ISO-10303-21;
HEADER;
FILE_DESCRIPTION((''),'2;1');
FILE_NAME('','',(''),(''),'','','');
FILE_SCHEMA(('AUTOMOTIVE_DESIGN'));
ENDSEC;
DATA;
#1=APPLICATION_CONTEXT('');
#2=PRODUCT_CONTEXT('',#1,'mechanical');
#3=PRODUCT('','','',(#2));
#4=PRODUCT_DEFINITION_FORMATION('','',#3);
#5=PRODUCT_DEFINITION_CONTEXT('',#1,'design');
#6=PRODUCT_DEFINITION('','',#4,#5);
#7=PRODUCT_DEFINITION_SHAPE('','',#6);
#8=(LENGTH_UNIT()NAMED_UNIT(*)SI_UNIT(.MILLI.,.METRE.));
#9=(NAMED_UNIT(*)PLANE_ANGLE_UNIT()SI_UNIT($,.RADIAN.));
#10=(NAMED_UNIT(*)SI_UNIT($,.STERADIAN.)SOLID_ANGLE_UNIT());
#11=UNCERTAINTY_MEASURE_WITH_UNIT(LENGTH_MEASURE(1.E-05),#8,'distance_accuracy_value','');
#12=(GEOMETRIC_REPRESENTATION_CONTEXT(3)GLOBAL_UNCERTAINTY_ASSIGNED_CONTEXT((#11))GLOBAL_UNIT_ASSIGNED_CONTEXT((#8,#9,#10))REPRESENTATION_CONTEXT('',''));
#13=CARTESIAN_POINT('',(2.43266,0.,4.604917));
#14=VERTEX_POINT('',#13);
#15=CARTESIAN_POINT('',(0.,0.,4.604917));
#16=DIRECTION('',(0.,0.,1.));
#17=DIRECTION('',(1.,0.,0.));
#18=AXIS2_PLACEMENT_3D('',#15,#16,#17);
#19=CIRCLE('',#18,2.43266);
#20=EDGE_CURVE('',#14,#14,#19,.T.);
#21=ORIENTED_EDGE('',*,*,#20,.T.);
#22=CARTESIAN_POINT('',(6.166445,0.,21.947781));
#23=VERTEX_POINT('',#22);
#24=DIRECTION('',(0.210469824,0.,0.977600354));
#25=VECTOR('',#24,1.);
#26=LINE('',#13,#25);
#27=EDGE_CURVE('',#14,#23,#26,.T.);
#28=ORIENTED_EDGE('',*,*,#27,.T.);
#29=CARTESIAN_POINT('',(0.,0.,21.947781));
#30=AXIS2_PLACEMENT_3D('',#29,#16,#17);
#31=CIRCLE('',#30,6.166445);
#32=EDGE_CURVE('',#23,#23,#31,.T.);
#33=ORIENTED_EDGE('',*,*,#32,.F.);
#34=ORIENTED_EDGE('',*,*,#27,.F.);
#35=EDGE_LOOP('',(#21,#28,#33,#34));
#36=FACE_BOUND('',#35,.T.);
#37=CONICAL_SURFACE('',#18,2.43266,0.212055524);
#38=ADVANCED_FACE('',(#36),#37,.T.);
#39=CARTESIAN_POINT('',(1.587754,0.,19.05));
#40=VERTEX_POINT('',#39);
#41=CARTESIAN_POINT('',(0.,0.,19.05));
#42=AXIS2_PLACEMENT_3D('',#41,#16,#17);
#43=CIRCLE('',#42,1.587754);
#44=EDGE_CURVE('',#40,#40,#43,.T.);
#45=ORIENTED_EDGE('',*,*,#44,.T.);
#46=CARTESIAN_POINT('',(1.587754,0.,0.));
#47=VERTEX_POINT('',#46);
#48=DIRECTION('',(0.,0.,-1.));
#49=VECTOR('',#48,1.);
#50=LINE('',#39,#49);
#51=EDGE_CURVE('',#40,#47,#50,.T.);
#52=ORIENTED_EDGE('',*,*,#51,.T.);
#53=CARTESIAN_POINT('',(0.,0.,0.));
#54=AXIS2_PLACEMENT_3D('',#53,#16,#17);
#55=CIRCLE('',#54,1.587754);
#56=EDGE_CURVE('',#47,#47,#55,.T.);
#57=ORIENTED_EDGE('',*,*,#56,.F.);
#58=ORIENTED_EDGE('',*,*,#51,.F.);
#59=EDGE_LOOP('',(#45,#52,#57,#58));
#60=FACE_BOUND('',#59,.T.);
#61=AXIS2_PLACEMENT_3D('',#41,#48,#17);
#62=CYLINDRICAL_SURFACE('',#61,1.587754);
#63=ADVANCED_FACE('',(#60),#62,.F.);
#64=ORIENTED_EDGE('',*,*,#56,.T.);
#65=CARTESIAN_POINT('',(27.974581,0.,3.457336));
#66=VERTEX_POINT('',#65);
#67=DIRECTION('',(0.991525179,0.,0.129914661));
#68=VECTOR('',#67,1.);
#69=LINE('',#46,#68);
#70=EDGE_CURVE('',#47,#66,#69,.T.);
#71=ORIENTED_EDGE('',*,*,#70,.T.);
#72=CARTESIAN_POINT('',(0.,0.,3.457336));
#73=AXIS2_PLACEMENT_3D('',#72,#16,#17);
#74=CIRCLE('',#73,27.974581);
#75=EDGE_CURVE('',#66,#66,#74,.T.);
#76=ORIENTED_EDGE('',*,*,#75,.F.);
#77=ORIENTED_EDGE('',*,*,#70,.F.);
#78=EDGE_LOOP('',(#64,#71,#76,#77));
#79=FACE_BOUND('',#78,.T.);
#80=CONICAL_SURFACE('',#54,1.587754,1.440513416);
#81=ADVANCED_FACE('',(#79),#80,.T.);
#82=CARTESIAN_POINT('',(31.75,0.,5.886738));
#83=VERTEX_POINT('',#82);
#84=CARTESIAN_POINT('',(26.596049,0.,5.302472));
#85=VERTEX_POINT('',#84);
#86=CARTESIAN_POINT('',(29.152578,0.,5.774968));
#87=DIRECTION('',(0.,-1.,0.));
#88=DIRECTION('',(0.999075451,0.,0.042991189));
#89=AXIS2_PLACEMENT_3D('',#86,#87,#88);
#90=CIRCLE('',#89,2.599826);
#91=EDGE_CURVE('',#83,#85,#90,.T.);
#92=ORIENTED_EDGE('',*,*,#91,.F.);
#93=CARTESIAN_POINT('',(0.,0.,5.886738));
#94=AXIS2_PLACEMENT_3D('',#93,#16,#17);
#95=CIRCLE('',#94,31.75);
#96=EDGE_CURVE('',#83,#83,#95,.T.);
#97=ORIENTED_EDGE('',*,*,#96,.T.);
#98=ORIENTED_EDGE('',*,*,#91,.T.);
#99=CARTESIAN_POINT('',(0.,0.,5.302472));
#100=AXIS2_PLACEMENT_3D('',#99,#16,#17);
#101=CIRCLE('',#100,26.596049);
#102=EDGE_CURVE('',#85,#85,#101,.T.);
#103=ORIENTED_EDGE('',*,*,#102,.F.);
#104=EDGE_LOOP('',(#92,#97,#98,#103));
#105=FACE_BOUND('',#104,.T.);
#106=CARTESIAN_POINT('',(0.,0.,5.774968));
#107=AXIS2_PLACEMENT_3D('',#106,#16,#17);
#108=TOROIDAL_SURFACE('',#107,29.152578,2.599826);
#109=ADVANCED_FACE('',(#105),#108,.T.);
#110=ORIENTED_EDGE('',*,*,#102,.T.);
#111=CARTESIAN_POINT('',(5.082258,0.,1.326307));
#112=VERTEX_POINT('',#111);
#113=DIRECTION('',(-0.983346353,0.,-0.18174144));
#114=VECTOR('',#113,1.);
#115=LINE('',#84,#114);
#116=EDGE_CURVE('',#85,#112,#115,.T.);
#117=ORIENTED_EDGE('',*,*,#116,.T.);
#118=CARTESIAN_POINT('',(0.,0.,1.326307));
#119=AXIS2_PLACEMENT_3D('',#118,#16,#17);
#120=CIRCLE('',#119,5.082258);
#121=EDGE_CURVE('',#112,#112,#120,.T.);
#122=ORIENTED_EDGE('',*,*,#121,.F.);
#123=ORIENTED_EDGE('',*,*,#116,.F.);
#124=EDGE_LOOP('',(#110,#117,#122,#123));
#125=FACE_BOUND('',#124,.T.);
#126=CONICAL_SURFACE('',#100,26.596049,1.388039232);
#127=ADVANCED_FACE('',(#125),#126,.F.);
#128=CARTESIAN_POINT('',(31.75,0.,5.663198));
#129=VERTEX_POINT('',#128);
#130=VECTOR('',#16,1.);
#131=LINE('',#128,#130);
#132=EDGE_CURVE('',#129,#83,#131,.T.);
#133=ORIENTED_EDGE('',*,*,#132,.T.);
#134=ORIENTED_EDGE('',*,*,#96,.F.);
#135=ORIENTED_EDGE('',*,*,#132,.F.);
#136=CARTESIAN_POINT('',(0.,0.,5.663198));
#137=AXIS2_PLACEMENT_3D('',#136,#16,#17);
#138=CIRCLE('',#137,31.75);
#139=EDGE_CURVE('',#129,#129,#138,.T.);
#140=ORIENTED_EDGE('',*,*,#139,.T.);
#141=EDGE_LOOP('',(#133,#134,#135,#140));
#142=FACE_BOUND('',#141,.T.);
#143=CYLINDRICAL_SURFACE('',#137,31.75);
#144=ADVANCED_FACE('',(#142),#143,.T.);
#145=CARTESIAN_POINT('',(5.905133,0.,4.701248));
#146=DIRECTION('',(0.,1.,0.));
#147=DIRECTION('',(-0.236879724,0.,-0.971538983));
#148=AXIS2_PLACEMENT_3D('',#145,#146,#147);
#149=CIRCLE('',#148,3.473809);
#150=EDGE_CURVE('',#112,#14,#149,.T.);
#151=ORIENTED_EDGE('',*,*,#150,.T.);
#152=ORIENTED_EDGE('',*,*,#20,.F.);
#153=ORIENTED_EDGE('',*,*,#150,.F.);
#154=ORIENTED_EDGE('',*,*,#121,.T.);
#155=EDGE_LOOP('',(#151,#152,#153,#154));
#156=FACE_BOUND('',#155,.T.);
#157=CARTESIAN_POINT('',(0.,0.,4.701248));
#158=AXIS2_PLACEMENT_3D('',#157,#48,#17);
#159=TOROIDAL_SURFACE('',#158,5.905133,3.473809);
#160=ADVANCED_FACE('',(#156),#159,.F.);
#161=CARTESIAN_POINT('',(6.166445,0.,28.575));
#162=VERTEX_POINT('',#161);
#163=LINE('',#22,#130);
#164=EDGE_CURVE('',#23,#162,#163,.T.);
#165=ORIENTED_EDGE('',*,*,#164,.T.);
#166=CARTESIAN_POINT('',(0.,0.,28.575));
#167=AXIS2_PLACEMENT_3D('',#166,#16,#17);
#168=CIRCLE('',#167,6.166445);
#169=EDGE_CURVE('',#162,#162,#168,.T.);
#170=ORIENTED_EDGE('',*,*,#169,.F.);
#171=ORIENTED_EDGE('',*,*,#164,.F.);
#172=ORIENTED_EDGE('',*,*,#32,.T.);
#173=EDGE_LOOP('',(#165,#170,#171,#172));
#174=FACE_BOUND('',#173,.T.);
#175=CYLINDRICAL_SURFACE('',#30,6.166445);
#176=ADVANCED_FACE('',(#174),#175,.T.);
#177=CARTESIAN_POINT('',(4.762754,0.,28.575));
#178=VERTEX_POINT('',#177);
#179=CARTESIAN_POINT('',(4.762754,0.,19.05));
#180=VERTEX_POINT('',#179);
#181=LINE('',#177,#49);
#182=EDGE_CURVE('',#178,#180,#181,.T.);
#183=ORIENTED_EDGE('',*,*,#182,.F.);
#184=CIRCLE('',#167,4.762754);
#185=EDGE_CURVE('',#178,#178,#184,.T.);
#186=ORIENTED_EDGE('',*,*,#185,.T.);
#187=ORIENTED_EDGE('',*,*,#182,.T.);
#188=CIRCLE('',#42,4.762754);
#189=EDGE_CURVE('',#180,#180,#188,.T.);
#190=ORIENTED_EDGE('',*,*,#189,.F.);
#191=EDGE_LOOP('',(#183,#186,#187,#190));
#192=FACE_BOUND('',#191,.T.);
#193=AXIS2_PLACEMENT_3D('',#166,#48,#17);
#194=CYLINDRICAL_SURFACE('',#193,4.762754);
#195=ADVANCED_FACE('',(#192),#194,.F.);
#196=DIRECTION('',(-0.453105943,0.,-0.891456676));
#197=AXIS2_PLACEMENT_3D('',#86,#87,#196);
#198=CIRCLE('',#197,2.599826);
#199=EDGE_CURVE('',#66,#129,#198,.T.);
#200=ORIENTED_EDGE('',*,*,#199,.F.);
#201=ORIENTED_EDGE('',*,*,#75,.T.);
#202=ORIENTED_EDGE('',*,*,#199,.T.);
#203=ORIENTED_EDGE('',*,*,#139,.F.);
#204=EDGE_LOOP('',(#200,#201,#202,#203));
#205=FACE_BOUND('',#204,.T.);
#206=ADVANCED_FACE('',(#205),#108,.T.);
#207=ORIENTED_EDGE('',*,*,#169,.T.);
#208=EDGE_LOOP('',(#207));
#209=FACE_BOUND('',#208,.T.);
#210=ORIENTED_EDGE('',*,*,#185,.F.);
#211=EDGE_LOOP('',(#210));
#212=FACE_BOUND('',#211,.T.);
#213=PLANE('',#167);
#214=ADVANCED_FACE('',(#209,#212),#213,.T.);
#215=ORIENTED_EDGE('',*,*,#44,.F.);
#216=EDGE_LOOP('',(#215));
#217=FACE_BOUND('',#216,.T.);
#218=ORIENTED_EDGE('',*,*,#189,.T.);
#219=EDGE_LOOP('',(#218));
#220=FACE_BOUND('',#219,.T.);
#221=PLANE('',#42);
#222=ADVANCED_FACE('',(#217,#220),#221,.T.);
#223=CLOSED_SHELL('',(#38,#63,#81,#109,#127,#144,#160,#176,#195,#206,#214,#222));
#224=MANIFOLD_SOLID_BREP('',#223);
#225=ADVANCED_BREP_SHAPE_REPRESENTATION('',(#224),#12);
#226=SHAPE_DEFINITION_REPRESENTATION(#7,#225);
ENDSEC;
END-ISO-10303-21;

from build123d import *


with BuildPart() as f1:
    # F0 (on Front) → F1 (revolve)
    with BuildSketch(Plane.XZ):
        with BuildLine():
            Line((6.166445, 28.575), (4.762754, 28.575))
            Line((4.762754, 28.575), (4.762754, 19.05))
            Line((4.762754, 19.05), (1.587754, 19.05))
            Line((1.587754, 19.05), (1.587754, 7.416361))
            Line((1.587754, 7.416361), (1.587754, 0))
            Line((1.587754, 0), (27.974581, 3.457336))
            ThreePointArc((27.974581, 3.457336), (30.464123, 3.530209), (31.75, 5.663198))
            Line((31.75, 5.663198), (31.75, 5.886738))
            ThreePointArc((31.75, 5.886738), (28.85973, 8.358248), (26.596049, 5.302472))
            Line((26.596049, 5.302472), (5.082258, 1.326307))
            ThreePointArc((5.082258, 1.326307), (3.203314, 2.517782), (2.43266, 4.604917))
            Line((2.43266, 4.604917), (6.166445, 21.947781))
            Line((6.166445, 21.947781), (6.166445, 28.575))
        make_face()
    revolve(axis=Axis((0, 0, 14.2875), (0, 0, 1)))


solid = f1.part
